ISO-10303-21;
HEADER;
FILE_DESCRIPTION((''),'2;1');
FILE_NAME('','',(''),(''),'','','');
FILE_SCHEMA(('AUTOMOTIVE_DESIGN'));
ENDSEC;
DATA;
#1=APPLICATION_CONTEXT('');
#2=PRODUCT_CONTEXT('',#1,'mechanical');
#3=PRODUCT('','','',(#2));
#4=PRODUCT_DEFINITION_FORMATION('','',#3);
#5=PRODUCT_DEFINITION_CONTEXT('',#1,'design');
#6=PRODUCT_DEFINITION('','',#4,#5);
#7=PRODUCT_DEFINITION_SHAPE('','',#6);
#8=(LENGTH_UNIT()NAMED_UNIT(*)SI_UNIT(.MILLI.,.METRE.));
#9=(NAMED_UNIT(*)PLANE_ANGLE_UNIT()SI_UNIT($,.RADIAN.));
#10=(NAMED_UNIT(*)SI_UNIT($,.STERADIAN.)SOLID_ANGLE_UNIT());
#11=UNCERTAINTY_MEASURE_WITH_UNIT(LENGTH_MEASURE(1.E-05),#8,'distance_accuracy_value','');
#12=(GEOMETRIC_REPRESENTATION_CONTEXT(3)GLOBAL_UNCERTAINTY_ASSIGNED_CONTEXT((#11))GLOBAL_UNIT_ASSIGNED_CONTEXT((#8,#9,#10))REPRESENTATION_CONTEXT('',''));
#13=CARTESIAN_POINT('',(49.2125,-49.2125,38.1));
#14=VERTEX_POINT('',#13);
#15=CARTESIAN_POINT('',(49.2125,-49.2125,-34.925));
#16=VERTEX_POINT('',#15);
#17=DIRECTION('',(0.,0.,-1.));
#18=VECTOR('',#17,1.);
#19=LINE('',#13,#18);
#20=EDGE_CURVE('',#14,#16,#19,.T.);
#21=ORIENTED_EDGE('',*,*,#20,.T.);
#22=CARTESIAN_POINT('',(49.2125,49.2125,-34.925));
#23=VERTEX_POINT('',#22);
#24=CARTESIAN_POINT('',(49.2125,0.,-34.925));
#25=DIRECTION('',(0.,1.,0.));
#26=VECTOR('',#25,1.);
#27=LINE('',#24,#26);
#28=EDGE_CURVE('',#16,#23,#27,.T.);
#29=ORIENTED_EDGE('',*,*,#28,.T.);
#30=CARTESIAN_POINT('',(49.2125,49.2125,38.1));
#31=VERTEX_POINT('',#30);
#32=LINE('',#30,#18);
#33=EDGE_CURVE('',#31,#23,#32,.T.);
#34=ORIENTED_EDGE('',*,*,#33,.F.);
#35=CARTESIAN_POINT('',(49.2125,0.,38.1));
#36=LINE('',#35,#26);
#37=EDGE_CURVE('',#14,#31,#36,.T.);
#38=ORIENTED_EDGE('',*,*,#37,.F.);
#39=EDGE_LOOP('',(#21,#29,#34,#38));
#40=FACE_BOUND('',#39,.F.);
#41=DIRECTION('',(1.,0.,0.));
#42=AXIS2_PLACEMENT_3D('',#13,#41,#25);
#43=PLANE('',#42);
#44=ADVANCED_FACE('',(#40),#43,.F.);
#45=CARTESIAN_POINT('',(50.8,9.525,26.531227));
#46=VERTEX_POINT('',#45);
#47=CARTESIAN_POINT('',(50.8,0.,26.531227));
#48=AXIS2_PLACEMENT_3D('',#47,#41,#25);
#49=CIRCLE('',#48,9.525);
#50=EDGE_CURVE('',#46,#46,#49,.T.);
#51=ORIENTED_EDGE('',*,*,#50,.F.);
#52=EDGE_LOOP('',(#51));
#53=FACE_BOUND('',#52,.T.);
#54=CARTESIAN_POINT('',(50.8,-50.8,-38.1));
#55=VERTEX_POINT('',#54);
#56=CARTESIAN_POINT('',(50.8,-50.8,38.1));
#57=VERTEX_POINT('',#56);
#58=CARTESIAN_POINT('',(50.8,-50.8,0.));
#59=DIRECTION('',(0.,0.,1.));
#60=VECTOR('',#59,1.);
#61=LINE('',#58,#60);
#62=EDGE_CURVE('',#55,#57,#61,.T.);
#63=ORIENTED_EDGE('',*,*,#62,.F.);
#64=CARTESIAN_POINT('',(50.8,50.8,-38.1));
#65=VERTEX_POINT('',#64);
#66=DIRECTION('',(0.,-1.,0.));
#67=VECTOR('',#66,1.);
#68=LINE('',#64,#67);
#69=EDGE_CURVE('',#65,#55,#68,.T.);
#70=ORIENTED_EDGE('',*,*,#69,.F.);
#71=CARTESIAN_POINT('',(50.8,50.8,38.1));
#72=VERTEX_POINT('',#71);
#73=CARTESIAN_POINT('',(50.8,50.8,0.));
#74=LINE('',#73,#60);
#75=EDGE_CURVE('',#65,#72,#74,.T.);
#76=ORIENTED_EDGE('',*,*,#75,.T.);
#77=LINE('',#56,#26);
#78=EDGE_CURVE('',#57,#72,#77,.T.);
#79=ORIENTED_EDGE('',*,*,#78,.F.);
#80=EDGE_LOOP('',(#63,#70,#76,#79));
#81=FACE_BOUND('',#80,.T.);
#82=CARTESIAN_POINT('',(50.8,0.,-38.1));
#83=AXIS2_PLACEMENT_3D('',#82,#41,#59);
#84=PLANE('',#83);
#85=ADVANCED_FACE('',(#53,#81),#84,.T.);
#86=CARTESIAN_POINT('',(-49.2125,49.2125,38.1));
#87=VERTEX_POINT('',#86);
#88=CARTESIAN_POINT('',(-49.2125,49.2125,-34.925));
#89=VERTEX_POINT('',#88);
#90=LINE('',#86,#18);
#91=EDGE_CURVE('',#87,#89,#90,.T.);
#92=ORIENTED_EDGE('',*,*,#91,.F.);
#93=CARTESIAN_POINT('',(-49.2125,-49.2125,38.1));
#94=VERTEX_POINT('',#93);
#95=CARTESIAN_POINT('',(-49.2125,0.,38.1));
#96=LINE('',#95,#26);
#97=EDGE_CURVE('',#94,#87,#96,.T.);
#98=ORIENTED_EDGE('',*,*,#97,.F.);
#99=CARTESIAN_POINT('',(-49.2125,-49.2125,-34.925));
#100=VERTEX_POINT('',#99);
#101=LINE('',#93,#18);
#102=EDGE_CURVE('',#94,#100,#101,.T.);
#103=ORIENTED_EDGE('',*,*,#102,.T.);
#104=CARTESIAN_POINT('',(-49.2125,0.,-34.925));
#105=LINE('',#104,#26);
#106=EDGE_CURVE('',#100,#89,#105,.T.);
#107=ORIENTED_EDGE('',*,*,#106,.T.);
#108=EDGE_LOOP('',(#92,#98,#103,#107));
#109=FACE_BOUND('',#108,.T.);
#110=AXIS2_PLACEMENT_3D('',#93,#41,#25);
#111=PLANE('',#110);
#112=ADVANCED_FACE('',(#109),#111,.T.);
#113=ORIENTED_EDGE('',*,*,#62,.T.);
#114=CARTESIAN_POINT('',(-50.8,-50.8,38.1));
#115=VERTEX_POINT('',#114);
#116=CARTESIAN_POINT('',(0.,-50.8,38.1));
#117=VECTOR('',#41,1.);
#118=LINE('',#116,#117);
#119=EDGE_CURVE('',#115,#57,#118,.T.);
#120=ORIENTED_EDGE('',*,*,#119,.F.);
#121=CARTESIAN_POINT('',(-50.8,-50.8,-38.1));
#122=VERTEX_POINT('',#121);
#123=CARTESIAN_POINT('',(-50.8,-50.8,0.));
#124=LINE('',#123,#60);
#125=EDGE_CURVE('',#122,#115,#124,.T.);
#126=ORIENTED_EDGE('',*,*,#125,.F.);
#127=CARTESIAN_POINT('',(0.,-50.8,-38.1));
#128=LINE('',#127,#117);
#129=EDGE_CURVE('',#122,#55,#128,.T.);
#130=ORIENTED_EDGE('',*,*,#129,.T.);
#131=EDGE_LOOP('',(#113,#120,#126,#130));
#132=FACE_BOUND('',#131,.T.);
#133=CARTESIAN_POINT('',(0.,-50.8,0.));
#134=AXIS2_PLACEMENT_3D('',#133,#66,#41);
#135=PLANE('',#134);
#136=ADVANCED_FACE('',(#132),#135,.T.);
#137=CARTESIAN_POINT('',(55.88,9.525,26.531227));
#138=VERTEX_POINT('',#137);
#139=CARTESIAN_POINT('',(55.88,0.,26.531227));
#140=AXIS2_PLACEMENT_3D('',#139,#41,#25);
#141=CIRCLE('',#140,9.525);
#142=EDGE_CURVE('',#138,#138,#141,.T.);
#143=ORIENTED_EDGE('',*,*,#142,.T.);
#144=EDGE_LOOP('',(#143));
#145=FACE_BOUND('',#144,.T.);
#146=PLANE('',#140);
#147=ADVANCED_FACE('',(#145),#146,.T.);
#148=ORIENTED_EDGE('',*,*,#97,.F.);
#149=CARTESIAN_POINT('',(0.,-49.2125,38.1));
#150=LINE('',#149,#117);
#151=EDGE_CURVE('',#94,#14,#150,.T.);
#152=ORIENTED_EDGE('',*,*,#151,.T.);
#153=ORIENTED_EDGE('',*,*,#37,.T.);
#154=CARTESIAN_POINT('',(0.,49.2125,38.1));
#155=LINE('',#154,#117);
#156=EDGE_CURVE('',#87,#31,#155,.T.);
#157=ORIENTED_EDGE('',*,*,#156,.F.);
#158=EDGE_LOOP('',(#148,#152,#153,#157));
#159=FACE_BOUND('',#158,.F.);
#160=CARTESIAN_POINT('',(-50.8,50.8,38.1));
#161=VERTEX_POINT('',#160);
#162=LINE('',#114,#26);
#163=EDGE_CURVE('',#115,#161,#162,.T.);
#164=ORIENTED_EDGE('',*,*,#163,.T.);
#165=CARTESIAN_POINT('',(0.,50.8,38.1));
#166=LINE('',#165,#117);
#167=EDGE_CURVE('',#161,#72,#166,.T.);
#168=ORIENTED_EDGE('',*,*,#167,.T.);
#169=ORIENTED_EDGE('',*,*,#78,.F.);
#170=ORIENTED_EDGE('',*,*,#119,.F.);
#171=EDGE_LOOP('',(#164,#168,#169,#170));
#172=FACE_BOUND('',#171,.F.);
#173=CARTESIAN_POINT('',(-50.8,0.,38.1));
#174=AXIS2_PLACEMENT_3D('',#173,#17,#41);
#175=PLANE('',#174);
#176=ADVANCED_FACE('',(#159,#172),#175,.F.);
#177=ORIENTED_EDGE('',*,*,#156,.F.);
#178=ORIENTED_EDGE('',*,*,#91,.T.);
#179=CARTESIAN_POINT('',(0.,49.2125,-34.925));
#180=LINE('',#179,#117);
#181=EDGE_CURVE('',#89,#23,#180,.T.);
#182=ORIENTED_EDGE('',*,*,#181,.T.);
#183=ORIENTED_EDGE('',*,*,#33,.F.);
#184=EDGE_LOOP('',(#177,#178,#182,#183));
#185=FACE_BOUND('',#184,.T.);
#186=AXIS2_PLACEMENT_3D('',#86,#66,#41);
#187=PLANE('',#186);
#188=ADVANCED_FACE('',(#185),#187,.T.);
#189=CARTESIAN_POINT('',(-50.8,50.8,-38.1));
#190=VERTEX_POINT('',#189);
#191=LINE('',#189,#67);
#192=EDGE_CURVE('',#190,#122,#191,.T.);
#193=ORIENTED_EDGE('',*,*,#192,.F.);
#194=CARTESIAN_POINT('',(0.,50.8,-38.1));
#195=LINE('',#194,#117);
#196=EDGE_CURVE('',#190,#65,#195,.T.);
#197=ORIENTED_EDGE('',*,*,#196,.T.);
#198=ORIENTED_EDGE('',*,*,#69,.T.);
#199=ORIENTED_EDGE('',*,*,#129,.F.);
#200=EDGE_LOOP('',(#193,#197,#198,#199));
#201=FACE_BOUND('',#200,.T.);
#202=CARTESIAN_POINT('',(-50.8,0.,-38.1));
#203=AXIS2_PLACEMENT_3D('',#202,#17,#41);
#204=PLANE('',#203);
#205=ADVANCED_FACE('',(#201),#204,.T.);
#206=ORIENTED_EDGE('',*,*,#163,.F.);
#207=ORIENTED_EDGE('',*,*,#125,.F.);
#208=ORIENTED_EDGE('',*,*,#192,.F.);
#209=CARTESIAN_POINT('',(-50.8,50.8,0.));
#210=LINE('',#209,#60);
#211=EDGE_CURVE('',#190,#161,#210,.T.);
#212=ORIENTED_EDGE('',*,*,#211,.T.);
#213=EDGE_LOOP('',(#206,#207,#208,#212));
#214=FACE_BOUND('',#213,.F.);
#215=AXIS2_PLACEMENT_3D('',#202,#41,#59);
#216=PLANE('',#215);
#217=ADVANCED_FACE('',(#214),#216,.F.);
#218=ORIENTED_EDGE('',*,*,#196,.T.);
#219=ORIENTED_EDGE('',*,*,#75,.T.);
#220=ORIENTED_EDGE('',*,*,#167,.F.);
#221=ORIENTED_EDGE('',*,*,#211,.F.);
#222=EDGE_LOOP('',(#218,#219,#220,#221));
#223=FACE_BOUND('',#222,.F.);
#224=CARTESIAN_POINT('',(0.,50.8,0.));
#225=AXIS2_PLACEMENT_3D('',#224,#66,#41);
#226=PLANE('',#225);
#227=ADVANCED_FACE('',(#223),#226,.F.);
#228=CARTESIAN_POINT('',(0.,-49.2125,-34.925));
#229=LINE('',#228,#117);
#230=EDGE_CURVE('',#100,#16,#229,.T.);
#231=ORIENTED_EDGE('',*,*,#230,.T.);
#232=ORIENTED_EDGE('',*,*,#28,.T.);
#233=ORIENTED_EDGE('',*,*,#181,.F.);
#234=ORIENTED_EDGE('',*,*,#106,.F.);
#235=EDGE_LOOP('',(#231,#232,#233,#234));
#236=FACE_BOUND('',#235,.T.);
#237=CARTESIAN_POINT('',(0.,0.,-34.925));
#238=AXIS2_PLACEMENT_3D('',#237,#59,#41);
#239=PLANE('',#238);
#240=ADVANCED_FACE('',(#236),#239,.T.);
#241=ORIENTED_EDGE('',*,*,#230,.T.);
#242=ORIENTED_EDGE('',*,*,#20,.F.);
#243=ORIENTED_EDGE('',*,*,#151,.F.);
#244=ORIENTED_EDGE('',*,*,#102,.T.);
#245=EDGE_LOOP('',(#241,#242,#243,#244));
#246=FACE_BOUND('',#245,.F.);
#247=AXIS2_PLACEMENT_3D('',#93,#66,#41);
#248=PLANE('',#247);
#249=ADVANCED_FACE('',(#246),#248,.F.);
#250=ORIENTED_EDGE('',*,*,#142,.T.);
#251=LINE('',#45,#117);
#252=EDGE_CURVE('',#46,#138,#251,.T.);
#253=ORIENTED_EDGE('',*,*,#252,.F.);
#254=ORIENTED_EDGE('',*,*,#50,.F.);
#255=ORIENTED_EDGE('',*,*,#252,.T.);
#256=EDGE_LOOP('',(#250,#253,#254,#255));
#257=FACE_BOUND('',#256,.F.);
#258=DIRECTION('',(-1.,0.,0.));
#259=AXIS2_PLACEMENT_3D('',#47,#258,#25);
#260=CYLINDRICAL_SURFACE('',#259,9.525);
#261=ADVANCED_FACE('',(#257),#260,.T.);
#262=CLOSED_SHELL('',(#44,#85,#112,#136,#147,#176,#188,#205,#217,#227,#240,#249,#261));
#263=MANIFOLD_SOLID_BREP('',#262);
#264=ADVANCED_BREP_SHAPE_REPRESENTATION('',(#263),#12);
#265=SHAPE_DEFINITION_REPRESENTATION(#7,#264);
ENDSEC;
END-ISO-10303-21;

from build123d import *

# Parameters (mm, degrees)
F0_W     = 101.6
F0_H     = 76.2
F1_DEPTH = 50.8
F2_W     = 98.425
F2_H     = 98.425
F3_DEPTH = 73.025
F4_R     = 9.525
F5_DEPTH = 5.08


with BuildPart() as f1:
    # F0 (on Front) → F1 (new body, symmetric)
    with BuildSketch(Plane.XZ):
        Rectangle(F0_W, F0_H)
    extrude(amount=F1_DEPTH, both=True)

    # F2 (on face) → F3 (cut)
    with BuildSketch(Plane.XY.offset(38.1)):
        Rectangle(F2_W, F2_H)
    extrude(amount=-F3_DEPTH, mode=Mode.SUBTRACT)

    # F4 (on face) → F5 (join)
    with BuildSketch(Plane.YZ.offset(50.8)):
        with Locations((0, 26.531227)):
            Circle(F4_R)
    extrude(amount=F5_DEPTH)


solid = f1.part
